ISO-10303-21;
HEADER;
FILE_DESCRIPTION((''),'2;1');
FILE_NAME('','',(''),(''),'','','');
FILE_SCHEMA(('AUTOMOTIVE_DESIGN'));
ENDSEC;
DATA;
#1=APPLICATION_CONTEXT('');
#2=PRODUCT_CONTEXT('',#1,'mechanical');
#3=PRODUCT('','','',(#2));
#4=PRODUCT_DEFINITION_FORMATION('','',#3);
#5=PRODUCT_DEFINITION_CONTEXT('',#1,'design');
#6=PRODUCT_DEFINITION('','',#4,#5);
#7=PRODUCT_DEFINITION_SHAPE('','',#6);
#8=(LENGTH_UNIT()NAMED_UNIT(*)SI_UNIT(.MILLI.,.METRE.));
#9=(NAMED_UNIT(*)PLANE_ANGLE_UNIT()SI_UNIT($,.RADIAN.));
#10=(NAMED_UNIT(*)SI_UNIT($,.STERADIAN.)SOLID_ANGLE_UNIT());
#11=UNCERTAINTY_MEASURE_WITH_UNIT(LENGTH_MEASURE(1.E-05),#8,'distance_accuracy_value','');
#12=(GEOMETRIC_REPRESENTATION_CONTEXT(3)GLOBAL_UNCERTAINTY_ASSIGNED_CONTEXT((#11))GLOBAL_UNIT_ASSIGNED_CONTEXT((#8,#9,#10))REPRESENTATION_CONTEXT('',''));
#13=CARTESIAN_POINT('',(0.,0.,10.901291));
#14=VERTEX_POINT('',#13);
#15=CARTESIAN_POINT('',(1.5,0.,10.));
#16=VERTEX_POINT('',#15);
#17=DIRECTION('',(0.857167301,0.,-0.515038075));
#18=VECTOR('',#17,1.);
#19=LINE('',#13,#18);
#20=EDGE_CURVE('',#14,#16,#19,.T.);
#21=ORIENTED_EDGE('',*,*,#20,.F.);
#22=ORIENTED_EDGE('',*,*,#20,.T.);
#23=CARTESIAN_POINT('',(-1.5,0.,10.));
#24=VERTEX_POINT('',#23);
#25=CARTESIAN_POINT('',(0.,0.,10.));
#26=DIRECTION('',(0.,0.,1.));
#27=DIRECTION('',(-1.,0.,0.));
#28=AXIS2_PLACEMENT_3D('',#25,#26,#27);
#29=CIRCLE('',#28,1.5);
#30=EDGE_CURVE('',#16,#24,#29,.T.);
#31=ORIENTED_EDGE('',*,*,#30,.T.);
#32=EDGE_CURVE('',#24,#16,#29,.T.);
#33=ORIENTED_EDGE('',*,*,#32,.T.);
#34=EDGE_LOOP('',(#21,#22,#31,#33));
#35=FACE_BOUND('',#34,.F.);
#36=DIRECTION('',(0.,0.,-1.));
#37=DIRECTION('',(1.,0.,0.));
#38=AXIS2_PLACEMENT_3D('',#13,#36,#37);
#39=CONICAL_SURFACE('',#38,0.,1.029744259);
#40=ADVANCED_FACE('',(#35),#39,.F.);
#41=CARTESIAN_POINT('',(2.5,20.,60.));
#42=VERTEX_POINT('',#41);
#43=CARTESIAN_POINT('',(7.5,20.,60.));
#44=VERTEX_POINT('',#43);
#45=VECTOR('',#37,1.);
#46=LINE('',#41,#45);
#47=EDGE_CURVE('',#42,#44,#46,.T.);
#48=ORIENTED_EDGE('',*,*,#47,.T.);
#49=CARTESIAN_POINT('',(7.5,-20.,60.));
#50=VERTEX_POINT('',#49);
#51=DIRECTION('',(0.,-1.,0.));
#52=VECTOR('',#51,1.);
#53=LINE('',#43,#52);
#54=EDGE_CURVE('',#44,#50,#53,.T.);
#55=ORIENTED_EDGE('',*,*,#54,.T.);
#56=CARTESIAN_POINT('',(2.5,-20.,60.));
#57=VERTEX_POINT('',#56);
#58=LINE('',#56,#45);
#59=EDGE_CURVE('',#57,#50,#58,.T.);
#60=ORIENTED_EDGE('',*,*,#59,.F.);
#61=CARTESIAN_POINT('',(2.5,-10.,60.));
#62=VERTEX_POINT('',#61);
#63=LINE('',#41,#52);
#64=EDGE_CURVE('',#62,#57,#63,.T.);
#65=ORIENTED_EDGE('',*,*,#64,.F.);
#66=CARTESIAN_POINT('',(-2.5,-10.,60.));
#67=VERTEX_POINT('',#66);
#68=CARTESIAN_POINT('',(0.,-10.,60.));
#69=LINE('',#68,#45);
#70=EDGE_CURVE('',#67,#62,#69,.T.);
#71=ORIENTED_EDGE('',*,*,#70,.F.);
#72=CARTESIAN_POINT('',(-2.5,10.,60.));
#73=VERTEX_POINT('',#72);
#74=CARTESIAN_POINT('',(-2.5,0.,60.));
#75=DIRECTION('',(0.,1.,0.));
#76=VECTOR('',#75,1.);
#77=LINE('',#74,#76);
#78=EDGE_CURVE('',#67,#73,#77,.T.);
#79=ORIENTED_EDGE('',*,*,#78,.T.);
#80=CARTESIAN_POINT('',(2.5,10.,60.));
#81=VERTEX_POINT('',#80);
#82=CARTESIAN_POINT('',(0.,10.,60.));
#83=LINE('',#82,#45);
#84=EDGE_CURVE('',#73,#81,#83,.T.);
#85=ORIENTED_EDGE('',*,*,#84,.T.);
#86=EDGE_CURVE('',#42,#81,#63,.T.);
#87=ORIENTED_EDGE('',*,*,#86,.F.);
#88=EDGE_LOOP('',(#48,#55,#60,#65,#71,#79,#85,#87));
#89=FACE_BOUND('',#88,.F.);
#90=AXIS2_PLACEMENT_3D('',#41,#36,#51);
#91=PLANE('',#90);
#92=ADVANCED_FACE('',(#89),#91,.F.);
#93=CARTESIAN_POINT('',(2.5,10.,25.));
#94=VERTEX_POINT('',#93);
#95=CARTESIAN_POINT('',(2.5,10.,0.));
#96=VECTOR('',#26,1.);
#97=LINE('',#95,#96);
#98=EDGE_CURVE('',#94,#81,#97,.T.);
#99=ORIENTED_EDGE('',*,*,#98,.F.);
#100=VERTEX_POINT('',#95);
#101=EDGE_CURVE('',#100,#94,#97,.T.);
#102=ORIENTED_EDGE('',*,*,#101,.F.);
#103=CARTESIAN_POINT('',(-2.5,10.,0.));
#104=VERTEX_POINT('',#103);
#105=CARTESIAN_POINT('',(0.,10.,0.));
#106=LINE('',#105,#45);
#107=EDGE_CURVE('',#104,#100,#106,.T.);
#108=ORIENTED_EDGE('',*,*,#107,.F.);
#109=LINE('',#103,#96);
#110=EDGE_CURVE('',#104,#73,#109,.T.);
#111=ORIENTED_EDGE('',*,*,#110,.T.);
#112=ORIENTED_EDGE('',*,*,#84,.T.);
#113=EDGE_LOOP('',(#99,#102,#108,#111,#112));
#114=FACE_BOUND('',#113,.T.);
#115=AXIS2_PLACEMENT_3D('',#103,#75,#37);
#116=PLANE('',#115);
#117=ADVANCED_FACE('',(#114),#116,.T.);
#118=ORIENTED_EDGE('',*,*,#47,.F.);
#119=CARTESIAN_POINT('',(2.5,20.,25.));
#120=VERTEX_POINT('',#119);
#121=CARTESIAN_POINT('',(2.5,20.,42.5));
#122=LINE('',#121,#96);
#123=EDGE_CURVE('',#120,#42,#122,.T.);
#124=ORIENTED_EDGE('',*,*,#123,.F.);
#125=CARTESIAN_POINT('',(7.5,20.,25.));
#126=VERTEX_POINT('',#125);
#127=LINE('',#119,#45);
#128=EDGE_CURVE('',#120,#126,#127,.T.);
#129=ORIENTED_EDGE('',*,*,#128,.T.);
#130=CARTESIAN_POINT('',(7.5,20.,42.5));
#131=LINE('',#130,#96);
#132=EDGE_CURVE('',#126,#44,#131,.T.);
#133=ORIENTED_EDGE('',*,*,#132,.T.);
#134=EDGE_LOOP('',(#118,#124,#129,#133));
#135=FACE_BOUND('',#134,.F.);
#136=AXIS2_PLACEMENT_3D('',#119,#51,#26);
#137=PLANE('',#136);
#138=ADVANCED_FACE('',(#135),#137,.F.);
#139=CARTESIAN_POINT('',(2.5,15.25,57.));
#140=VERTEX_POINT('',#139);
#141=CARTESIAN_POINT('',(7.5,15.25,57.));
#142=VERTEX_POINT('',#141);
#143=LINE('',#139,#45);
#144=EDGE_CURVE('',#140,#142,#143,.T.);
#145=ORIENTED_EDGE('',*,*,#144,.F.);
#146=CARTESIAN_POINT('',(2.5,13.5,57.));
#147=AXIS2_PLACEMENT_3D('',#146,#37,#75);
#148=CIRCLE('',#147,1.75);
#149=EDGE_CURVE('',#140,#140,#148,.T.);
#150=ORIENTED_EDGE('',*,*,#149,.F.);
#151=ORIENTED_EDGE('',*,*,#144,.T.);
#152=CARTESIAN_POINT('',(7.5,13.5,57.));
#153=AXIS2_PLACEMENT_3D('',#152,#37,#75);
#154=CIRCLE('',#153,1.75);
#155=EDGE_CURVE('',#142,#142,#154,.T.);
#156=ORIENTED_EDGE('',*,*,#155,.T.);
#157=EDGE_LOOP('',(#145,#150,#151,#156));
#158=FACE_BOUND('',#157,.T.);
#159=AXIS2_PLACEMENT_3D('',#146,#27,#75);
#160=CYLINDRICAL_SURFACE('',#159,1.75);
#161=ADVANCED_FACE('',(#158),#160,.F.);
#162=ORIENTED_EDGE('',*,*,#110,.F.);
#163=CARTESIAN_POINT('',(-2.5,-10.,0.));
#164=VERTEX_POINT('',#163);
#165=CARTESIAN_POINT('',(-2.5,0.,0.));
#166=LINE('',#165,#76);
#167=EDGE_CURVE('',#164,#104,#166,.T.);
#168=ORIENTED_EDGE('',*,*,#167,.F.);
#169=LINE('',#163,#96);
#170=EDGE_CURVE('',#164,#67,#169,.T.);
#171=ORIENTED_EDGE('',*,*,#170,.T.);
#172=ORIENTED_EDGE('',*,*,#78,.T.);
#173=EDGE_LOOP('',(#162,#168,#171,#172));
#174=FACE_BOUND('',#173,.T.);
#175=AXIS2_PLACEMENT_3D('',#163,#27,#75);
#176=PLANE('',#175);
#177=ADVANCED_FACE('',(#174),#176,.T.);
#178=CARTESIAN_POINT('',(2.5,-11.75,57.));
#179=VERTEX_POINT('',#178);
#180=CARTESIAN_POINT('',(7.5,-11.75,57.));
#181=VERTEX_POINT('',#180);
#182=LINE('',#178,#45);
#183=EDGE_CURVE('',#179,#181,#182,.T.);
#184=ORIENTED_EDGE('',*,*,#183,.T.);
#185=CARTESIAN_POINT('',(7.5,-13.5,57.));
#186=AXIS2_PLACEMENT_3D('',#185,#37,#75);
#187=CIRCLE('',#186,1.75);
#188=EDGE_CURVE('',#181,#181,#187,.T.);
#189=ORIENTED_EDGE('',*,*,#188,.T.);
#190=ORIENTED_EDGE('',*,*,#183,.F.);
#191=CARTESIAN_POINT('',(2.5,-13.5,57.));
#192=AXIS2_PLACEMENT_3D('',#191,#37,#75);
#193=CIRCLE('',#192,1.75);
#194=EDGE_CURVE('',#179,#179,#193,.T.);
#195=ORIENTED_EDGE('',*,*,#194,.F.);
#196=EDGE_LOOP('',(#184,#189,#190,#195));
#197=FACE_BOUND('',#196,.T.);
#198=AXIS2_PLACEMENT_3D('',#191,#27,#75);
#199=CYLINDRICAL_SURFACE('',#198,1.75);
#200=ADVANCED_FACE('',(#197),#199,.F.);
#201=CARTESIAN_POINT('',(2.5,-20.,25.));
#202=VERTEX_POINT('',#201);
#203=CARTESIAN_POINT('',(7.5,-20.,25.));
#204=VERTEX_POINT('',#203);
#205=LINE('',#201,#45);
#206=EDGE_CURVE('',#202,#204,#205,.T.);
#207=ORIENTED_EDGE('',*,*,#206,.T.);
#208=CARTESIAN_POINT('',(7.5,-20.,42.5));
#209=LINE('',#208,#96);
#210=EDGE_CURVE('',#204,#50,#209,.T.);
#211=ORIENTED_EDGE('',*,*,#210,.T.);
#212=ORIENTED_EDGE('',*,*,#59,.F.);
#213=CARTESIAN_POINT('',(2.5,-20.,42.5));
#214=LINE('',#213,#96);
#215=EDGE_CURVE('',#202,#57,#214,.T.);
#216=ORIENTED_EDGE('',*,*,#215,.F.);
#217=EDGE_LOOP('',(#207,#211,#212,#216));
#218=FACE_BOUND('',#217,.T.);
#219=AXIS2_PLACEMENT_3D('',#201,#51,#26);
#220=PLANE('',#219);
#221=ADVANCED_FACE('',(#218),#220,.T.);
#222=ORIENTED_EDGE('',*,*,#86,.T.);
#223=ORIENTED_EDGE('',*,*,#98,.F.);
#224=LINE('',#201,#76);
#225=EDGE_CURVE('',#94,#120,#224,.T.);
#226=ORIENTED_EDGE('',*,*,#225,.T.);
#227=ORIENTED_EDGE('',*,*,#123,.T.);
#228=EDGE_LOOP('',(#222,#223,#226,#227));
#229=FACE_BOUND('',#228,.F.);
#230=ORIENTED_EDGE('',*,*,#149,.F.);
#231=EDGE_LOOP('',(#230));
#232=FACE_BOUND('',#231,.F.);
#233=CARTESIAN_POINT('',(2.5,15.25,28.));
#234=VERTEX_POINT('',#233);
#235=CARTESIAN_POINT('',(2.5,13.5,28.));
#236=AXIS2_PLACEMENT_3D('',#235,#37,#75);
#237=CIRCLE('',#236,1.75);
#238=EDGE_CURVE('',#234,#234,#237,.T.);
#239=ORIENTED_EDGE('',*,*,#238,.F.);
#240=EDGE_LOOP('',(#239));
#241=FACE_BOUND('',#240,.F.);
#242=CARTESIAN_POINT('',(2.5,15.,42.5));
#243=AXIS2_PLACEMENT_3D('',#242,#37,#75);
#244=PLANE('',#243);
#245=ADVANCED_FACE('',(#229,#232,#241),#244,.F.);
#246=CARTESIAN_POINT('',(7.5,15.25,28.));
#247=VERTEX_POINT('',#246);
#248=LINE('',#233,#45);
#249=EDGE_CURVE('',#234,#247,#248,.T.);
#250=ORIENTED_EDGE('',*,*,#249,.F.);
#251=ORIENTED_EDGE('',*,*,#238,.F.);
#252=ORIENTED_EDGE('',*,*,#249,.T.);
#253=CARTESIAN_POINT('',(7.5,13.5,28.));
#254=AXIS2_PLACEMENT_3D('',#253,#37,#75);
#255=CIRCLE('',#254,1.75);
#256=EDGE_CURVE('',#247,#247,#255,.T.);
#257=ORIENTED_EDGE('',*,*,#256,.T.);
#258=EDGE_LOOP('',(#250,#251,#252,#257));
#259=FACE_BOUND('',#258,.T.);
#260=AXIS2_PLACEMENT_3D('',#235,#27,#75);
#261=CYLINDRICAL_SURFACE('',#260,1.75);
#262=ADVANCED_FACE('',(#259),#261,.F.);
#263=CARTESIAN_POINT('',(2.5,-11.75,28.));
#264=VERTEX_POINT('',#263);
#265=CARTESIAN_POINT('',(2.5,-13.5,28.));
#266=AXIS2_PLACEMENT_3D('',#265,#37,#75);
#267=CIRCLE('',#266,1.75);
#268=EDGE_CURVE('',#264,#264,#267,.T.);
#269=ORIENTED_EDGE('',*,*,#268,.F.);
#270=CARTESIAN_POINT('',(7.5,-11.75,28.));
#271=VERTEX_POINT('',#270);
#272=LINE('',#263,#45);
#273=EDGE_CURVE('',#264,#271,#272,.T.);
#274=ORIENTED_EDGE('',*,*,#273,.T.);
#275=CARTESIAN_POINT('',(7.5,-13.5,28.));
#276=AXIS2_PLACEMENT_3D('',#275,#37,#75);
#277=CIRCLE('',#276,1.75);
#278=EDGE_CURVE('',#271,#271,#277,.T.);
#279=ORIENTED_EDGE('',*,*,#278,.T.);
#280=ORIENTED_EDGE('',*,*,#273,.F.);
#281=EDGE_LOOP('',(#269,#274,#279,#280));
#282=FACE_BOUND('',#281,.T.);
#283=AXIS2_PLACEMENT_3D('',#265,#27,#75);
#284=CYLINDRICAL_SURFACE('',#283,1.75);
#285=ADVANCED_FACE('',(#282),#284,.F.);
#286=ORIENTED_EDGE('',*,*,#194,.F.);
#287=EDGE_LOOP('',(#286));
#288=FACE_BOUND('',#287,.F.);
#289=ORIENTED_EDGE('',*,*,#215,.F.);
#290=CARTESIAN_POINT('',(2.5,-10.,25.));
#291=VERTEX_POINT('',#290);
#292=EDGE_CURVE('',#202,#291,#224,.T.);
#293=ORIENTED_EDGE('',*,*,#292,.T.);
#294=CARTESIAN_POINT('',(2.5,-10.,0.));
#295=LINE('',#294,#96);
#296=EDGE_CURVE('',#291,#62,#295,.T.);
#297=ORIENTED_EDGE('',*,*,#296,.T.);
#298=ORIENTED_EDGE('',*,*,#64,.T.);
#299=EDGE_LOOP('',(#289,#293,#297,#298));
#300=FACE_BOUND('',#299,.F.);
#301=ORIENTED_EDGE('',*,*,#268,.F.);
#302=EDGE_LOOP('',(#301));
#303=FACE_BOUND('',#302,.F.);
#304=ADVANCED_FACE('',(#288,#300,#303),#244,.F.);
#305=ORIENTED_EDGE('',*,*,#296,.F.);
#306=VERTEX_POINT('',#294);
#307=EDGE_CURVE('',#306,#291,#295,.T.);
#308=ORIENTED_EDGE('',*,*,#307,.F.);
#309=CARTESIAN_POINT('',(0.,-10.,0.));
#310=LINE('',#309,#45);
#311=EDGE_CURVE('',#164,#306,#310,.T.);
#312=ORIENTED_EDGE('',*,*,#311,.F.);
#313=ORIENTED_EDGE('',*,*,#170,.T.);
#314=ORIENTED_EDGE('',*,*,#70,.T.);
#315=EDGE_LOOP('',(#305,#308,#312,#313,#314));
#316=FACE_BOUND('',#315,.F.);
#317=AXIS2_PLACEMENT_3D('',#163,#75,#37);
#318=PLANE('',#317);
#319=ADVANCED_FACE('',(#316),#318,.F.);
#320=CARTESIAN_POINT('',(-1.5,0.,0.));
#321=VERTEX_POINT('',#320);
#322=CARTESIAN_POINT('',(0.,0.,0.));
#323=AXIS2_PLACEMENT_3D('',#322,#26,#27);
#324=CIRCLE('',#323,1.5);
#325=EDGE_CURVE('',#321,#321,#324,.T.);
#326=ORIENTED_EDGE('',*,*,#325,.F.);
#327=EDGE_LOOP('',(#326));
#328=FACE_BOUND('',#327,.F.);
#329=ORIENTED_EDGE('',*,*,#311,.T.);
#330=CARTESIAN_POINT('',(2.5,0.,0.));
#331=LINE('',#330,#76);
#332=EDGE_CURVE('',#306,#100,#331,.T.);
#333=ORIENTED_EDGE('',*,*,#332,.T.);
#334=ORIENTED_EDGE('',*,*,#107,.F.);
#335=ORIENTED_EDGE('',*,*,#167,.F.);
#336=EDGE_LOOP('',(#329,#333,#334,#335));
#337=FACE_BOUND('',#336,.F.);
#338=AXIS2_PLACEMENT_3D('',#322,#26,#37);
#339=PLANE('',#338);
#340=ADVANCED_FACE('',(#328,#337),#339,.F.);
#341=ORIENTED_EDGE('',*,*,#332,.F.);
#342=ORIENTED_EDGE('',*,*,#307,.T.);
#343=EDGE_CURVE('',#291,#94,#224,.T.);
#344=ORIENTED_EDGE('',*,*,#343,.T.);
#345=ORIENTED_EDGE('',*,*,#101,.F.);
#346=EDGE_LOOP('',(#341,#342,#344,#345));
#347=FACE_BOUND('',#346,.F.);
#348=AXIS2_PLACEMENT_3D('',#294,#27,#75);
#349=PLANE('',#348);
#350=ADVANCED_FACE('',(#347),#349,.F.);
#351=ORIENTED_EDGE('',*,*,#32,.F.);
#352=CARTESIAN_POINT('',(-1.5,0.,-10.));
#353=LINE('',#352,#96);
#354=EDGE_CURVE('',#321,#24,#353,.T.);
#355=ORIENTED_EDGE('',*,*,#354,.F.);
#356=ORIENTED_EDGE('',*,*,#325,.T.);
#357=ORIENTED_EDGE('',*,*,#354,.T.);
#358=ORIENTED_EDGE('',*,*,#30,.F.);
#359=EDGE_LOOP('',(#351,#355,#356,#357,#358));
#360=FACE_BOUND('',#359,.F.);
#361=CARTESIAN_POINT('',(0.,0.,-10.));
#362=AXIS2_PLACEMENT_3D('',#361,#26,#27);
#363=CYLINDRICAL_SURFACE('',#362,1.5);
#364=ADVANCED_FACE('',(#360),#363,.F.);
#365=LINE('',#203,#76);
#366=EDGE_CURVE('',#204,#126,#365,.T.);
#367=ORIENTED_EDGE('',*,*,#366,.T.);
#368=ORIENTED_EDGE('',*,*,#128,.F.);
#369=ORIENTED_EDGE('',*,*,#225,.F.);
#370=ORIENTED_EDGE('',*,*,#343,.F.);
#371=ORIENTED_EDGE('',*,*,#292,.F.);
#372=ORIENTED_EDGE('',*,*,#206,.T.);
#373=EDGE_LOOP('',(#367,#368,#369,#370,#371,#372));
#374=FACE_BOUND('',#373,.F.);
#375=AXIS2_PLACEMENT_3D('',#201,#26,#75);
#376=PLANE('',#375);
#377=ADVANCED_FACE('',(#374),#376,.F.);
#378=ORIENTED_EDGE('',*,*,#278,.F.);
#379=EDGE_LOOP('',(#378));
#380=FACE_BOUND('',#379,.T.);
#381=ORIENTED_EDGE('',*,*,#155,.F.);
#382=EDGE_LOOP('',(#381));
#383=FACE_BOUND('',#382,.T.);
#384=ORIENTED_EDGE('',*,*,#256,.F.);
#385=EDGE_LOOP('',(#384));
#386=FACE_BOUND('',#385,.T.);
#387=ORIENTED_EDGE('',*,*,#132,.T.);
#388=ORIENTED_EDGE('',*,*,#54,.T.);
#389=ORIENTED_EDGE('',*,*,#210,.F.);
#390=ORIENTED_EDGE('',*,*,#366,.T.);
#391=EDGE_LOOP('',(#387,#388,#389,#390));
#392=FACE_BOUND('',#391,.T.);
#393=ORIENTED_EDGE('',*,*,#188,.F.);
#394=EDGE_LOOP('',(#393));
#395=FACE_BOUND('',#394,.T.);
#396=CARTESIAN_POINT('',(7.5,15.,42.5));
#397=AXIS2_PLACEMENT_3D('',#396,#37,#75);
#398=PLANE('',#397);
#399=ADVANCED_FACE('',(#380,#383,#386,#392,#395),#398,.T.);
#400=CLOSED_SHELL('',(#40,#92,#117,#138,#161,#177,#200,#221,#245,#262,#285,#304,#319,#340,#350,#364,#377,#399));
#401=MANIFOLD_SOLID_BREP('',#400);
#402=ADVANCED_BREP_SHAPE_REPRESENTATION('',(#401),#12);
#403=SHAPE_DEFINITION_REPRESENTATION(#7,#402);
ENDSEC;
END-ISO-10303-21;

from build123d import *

# Parameters (mm, degrees)
F0_W     = 5
F0_H     = 20
F1_DEPTH = 60
F2_W     = 10
F2_H     = 35
F2_R     = 1.75
F2_W_2   = 20
F3_DEPTH = 5
F5_D     = 3
F5_DEPTH = 10
F5_TIP   = 0.9012909285


with BuildPart() as f1:
    # F0 (on Top) → F1 (new body)
    with BuildSketch(Plane.XY):
        Rectangle(F0_W, F0_H)
    extrude(amount=F1_DEPTH)

    # F2 (on face) → F3 (join)
    with BuildSketch(Plane.YZ.offset(2.5)):
        with Locations((15, 42.5)):
            Rectangle(F2_W, F2_H)
        with Locations((13.5, 28)):
            Circle(F2_R, mode=Mode.SUBTRACT)
        with Locations((13.5, 57)):
            Circle(F2_R, mode=Mode.SUBTRACT)
        with Locations((-15, 42.5)):
            Rectangle(F2_W, F2_H)
        with Locations((-13.5, 28)):
            Circle(F2_R, mode=Mode.SUBTRACT)
        with Locations((-13.5, 57)):
            Circle(F2_R, mode=Mode.SUBTRACT)
        with Locations((0, 42.5)):
            Rectangle(F2_W_2, F2_H)
    extrude(amount=F3_DEPTH)

    # F5
    with Locations(Plane(origin=(0, 0, 0), x_dir=(1, 0, 0), z_dir=(0, 0, -1))):
        with Locations((0, 0)):
            Hole(F5_D / 2, depth=F5_DEPTH)
            with Locations((0, 0, -(F5_DEPTH + F5_TIP / 2))):  # 118° drill point
                Cone(0, F5_D / 2, F5_TIP, mode=Mode.SUBTRACT)


solid = f1.part
